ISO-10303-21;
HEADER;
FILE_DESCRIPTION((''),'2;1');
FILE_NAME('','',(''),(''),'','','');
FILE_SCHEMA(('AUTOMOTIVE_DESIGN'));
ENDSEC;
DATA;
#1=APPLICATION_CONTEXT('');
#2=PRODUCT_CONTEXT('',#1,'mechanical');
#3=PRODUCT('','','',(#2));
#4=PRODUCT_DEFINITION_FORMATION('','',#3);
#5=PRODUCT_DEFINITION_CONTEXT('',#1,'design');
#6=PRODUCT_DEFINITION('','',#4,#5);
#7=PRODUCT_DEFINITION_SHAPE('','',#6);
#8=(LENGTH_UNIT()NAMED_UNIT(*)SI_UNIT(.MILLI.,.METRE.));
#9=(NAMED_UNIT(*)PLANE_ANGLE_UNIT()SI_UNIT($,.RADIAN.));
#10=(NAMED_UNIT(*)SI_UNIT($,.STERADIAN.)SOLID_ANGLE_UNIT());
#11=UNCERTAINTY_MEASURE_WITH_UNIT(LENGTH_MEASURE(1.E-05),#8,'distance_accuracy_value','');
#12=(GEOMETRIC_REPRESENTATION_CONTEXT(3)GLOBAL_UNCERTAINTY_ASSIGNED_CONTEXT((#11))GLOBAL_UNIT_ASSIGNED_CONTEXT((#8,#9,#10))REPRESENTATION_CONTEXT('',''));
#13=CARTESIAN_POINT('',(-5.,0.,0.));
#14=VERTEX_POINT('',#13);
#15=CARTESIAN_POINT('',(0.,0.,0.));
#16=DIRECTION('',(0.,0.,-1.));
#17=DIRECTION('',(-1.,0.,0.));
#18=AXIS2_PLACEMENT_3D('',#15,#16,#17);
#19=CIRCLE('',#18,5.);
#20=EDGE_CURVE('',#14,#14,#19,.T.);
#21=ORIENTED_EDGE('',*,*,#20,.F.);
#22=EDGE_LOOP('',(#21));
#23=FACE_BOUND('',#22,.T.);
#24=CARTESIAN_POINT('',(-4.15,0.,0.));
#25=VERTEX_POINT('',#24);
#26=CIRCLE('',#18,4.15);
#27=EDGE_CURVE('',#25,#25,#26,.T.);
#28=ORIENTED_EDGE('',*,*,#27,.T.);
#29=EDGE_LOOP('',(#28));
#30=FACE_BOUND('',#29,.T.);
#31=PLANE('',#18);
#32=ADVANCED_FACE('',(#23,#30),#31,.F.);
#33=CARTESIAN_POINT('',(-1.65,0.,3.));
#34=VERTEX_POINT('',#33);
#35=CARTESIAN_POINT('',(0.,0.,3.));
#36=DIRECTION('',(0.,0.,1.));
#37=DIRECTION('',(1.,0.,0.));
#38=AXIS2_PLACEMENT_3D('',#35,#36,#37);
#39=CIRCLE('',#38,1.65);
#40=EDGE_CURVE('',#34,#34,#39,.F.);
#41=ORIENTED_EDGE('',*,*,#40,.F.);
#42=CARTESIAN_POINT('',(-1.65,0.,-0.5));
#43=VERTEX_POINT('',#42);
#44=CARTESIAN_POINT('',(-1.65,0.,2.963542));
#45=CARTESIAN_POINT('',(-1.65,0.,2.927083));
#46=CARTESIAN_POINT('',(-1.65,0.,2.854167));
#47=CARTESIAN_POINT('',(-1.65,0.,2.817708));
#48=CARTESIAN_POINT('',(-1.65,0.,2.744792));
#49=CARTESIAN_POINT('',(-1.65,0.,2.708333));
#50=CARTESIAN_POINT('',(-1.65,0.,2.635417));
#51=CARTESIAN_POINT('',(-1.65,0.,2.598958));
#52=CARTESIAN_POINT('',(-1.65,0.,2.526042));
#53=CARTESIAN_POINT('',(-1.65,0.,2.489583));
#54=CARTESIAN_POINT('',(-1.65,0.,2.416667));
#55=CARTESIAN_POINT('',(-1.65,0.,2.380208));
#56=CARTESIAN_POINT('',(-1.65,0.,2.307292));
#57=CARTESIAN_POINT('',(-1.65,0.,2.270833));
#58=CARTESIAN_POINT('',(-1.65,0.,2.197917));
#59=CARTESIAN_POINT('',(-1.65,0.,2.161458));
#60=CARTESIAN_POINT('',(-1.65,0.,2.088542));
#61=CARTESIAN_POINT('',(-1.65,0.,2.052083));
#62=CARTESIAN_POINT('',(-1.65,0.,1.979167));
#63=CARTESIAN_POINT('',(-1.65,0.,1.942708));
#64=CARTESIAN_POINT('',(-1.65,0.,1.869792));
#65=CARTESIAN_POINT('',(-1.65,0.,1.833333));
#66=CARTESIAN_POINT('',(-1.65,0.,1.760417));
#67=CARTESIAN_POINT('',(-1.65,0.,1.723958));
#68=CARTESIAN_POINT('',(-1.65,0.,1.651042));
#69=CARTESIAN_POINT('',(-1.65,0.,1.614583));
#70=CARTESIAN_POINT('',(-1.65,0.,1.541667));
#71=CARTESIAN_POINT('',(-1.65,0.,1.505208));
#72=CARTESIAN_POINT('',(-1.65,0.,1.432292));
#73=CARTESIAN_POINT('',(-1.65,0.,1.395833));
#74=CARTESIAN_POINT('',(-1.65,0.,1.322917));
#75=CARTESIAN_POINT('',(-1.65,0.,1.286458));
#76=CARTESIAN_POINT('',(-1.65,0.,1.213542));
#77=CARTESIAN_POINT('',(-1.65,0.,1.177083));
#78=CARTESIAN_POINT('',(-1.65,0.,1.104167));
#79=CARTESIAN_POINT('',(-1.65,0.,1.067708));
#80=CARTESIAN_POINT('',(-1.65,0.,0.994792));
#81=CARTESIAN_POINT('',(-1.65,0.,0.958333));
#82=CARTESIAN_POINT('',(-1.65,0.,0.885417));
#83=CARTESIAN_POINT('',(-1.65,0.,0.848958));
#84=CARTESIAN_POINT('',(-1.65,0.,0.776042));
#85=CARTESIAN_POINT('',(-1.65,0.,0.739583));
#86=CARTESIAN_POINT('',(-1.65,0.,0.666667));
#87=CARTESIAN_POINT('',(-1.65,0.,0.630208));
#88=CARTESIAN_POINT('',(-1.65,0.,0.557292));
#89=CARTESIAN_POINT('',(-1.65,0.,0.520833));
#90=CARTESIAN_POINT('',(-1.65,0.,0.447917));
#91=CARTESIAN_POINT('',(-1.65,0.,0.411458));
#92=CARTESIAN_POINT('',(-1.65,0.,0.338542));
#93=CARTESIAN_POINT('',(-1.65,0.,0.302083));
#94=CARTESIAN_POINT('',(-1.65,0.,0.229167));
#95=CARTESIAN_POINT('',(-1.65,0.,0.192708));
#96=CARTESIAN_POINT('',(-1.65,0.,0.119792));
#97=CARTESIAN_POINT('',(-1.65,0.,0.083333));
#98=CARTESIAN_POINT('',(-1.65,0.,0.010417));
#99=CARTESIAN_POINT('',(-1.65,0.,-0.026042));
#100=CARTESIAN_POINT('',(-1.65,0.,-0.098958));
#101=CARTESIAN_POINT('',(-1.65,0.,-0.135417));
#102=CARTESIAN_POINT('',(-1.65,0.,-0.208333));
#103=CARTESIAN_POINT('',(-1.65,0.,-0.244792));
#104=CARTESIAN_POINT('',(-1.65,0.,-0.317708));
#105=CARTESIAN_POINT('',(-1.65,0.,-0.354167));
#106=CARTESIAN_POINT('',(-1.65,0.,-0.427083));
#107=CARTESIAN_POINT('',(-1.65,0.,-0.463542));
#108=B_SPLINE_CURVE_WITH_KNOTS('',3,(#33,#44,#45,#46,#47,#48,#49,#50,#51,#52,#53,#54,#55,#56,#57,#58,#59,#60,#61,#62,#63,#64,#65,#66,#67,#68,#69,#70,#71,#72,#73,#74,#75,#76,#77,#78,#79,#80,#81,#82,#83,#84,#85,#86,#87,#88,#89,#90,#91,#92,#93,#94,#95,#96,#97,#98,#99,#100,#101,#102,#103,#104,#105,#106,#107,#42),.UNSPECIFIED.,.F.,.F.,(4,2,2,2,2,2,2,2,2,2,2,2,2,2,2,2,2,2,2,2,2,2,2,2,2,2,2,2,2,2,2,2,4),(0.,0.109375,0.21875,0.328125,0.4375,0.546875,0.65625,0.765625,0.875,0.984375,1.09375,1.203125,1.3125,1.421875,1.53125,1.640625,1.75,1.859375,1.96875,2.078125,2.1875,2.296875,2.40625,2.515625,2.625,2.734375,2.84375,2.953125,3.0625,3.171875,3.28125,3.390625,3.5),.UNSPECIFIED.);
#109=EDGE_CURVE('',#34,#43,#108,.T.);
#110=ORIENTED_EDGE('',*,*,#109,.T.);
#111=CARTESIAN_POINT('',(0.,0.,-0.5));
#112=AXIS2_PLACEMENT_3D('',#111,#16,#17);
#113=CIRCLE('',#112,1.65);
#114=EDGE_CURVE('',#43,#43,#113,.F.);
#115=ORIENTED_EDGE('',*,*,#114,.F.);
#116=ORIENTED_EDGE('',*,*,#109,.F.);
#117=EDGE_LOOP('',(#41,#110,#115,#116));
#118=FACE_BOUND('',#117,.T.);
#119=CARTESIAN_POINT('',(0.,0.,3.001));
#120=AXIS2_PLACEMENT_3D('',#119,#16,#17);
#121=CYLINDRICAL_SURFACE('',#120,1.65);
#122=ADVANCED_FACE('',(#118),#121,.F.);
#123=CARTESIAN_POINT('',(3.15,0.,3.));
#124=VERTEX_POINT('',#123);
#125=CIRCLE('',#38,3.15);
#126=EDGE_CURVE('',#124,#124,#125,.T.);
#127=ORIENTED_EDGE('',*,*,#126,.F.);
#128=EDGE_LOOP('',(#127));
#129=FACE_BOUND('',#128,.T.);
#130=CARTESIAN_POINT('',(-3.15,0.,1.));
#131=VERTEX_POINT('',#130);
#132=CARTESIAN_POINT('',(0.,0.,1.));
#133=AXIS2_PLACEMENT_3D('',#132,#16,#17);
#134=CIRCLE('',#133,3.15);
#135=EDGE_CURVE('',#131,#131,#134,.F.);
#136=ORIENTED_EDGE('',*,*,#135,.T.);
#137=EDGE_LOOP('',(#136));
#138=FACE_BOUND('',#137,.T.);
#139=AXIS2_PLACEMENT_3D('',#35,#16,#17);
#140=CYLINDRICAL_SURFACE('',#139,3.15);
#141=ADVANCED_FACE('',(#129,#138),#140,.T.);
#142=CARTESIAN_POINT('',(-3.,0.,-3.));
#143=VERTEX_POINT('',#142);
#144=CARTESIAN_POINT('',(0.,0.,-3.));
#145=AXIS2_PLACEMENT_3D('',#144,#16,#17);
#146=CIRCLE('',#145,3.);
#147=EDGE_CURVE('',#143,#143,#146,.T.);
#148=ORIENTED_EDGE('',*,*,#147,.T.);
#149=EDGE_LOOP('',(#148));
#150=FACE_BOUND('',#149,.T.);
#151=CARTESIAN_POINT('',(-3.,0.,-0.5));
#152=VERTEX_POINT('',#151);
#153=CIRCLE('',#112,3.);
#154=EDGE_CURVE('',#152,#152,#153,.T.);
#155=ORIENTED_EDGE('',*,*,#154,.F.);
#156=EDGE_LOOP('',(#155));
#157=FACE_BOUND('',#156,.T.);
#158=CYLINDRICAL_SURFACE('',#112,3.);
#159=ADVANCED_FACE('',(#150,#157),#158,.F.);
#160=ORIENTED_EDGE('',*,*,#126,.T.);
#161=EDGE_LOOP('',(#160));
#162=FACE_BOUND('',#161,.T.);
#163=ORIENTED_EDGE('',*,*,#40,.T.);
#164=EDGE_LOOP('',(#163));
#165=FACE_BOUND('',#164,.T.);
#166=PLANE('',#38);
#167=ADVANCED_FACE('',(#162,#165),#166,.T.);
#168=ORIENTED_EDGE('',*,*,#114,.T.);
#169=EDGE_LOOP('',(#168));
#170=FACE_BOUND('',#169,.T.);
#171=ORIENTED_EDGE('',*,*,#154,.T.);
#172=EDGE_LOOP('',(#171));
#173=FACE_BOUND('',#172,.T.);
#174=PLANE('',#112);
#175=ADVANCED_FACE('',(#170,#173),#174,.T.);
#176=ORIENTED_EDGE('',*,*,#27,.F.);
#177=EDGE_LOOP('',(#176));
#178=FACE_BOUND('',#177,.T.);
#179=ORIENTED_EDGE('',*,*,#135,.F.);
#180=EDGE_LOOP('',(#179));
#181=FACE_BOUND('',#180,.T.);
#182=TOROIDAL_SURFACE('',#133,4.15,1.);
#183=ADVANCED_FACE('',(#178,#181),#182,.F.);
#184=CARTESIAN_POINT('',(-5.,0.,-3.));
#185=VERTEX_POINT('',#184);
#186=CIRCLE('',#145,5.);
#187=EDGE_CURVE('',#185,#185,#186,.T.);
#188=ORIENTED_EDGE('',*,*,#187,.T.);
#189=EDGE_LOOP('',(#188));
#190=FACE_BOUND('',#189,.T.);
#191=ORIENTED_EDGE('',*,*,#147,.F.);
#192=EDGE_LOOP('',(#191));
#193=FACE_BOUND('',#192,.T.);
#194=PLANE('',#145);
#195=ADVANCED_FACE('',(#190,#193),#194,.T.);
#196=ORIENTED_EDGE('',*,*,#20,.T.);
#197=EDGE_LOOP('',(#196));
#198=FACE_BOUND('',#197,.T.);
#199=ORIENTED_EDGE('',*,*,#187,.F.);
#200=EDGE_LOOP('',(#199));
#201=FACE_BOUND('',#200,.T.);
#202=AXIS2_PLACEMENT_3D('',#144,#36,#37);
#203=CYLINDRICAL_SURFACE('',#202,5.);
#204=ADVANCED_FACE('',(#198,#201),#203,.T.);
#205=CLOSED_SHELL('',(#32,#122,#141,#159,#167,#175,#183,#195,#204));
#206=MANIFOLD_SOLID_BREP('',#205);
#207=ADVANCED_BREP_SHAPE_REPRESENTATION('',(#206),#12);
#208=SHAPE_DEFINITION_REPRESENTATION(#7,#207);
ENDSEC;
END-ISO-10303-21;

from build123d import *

# Parameters (mm, degrees)
SKETCH1_R           = 3.15
BOSS_EXTRUDE1_DEPTH = 3
SKETCH2_R           = 5
BOSS_EXTRUDE2_DEPTH = 3
FILLET1_R           = 1
CUT_EXTRUDE1_REACH  = 11.274
SKETCH3_R           = 1.65
SKETCH4_R           = 3
CUT_EXTRUDE2_DEPTH  = 2.5


with BuildPart() as part:
    # Sketch1 → Boss-Extrude1 (new body)
    with BuildSketch(Plane.XY):
        Circle(SKETCH1_R)
    extrude(amount=BOSS_EXTRUDE1_DEPTH)

    # Sketch2 → Boss-Extrude2 (add)
    with BuildSketch(Plane(origin=(0, 0, 0), x_dir=(-1, 0, 0), z_dir=(0, 0, -1))):
        Circle(SKETCH2_R)
    extrude(amount=BOSS_EXTRUDE2_DEPTH)

    # Fillet1
    fillet1_edges = [part.edges().sort_by_distance(p)[0] for p in [
        (-3.15, 0, 0),
    ]]
    fillet(fillet1_edges, radius=FILLET1_R)

    # Sketch3 → Cut-Extrude1 (cut, up to next)
    with BuildSketch(Plane(origin=(0, 0, -3), x_dir=(-1, 0, 0), z_dir=(0, 0, -1)), mode=Mode.PRIVATE) as cut_extrude1_sk1:
        Circle(SKETCH3_R)
    cut_extrude1_tool1 = extrude(cut_extrude1_sk1.sketch, amount=-CUT_EXTRUDE1_REACH, mode=Mode.PRIVATE) & part.part
    add(cut_extrude1_tool1.solids().sort_by_distance((0, 0, -3))[0], mode=Mode.SUBTRACT)

    # Sketch4 → Cut-Extrude2 (cut)
    with BuildSketch(Plane(origin=(0, 0, -3), x_dir=(-1, 0, 0), z_dir=(0, 0, -1))):
        Circle(SKETCH4_R)
    extrude(amount=-CUT_EXTRUDE2_DEPTH, mode=Mode.SUBTRACT)


solid = part.part
